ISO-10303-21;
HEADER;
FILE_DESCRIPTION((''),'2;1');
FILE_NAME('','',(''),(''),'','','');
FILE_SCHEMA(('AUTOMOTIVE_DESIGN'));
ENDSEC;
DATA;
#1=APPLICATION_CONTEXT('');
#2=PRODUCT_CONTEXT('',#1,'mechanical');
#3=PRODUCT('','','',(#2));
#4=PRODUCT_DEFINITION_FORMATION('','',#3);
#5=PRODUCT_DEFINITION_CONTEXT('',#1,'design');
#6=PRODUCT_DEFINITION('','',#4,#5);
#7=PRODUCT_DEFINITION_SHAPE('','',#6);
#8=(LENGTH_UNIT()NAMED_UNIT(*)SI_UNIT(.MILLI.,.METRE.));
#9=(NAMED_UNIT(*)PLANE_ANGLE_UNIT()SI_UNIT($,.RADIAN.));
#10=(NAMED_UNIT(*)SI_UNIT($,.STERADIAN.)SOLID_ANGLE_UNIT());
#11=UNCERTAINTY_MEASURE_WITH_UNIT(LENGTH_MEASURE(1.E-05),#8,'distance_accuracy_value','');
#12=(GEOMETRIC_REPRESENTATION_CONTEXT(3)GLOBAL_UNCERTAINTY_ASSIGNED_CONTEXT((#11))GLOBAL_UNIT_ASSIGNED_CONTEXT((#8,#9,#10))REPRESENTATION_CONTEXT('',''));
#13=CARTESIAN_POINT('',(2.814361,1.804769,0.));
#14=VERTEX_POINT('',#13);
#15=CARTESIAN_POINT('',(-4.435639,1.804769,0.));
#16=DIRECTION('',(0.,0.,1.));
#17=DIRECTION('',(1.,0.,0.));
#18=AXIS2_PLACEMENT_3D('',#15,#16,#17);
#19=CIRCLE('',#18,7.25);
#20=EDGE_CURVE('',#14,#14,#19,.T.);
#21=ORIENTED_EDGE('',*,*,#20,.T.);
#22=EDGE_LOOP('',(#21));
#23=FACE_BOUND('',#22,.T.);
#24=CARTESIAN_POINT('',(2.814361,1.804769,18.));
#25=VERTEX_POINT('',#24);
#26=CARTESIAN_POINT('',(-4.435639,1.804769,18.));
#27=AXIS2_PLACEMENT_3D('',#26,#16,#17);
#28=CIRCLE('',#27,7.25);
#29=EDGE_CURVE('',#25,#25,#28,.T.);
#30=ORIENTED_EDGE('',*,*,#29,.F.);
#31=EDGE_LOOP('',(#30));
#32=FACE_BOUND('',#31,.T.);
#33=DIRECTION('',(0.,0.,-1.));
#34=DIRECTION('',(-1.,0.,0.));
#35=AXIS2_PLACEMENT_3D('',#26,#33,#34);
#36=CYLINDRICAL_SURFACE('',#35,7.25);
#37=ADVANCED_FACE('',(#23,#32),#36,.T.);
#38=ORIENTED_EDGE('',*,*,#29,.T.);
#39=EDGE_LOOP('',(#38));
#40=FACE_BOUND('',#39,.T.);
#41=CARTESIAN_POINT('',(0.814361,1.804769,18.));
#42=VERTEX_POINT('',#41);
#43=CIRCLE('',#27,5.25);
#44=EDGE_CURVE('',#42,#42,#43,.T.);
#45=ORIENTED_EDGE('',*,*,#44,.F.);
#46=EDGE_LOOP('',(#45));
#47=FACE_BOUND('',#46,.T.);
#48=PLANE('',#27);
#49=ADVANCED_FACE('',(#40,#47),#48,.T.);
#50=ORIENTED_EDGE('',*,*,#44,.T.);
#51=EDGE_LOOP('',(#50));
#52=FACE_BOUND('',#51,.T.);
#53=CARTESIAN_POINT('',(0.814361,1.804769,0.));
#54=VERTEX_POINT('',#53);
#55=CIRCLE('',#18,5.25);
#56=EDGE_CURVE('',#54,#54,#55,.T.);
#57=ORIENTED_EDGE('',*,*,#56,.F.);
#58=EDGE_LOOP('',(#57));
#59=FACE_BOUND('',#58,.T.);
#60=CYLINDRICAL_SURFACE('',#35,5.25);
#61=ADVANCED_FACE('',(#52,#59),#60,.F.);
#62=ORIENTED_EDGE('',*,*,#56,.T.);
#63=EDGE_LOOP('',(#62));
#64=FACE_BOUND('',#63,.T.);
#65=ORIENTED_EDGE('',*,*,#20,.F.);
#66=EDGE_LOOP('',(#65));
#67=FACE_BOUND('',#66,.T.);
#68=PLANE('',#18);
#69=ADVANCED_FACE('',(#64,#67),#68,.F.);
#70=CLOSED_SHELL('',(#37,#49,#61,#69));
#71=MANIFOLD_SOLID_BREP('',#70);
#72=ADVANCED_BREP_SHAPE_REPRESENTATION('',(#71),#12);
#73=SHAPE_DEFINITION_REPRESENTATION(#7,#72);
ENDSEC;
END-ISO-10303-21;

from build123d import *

# Parameters (mm, degrees)
SZKIC1_R                    = 7.25
SZKIC1_R_2                  = 5.25
DODANIE_WYCI_GNI_CIE1_DEPTH = 18


with BuildPart() as part:
    # Szkic1 → Dodanie-wyciągnięcie1 (new body)
    with BuildSketch(Plane.XY):
        with Locations((-4.435638638, 1.804768885)):
            Circle(SZKIC1_R)
        with Locations((-4.435638638, 1.804768885)):
            Circle(SZKIC1_R_2, mode=Mode.SUBTRACT)
    extrude(amount=DODANIE_WYCI_GNI_CIE1_DEPTH)


solid = part.part
